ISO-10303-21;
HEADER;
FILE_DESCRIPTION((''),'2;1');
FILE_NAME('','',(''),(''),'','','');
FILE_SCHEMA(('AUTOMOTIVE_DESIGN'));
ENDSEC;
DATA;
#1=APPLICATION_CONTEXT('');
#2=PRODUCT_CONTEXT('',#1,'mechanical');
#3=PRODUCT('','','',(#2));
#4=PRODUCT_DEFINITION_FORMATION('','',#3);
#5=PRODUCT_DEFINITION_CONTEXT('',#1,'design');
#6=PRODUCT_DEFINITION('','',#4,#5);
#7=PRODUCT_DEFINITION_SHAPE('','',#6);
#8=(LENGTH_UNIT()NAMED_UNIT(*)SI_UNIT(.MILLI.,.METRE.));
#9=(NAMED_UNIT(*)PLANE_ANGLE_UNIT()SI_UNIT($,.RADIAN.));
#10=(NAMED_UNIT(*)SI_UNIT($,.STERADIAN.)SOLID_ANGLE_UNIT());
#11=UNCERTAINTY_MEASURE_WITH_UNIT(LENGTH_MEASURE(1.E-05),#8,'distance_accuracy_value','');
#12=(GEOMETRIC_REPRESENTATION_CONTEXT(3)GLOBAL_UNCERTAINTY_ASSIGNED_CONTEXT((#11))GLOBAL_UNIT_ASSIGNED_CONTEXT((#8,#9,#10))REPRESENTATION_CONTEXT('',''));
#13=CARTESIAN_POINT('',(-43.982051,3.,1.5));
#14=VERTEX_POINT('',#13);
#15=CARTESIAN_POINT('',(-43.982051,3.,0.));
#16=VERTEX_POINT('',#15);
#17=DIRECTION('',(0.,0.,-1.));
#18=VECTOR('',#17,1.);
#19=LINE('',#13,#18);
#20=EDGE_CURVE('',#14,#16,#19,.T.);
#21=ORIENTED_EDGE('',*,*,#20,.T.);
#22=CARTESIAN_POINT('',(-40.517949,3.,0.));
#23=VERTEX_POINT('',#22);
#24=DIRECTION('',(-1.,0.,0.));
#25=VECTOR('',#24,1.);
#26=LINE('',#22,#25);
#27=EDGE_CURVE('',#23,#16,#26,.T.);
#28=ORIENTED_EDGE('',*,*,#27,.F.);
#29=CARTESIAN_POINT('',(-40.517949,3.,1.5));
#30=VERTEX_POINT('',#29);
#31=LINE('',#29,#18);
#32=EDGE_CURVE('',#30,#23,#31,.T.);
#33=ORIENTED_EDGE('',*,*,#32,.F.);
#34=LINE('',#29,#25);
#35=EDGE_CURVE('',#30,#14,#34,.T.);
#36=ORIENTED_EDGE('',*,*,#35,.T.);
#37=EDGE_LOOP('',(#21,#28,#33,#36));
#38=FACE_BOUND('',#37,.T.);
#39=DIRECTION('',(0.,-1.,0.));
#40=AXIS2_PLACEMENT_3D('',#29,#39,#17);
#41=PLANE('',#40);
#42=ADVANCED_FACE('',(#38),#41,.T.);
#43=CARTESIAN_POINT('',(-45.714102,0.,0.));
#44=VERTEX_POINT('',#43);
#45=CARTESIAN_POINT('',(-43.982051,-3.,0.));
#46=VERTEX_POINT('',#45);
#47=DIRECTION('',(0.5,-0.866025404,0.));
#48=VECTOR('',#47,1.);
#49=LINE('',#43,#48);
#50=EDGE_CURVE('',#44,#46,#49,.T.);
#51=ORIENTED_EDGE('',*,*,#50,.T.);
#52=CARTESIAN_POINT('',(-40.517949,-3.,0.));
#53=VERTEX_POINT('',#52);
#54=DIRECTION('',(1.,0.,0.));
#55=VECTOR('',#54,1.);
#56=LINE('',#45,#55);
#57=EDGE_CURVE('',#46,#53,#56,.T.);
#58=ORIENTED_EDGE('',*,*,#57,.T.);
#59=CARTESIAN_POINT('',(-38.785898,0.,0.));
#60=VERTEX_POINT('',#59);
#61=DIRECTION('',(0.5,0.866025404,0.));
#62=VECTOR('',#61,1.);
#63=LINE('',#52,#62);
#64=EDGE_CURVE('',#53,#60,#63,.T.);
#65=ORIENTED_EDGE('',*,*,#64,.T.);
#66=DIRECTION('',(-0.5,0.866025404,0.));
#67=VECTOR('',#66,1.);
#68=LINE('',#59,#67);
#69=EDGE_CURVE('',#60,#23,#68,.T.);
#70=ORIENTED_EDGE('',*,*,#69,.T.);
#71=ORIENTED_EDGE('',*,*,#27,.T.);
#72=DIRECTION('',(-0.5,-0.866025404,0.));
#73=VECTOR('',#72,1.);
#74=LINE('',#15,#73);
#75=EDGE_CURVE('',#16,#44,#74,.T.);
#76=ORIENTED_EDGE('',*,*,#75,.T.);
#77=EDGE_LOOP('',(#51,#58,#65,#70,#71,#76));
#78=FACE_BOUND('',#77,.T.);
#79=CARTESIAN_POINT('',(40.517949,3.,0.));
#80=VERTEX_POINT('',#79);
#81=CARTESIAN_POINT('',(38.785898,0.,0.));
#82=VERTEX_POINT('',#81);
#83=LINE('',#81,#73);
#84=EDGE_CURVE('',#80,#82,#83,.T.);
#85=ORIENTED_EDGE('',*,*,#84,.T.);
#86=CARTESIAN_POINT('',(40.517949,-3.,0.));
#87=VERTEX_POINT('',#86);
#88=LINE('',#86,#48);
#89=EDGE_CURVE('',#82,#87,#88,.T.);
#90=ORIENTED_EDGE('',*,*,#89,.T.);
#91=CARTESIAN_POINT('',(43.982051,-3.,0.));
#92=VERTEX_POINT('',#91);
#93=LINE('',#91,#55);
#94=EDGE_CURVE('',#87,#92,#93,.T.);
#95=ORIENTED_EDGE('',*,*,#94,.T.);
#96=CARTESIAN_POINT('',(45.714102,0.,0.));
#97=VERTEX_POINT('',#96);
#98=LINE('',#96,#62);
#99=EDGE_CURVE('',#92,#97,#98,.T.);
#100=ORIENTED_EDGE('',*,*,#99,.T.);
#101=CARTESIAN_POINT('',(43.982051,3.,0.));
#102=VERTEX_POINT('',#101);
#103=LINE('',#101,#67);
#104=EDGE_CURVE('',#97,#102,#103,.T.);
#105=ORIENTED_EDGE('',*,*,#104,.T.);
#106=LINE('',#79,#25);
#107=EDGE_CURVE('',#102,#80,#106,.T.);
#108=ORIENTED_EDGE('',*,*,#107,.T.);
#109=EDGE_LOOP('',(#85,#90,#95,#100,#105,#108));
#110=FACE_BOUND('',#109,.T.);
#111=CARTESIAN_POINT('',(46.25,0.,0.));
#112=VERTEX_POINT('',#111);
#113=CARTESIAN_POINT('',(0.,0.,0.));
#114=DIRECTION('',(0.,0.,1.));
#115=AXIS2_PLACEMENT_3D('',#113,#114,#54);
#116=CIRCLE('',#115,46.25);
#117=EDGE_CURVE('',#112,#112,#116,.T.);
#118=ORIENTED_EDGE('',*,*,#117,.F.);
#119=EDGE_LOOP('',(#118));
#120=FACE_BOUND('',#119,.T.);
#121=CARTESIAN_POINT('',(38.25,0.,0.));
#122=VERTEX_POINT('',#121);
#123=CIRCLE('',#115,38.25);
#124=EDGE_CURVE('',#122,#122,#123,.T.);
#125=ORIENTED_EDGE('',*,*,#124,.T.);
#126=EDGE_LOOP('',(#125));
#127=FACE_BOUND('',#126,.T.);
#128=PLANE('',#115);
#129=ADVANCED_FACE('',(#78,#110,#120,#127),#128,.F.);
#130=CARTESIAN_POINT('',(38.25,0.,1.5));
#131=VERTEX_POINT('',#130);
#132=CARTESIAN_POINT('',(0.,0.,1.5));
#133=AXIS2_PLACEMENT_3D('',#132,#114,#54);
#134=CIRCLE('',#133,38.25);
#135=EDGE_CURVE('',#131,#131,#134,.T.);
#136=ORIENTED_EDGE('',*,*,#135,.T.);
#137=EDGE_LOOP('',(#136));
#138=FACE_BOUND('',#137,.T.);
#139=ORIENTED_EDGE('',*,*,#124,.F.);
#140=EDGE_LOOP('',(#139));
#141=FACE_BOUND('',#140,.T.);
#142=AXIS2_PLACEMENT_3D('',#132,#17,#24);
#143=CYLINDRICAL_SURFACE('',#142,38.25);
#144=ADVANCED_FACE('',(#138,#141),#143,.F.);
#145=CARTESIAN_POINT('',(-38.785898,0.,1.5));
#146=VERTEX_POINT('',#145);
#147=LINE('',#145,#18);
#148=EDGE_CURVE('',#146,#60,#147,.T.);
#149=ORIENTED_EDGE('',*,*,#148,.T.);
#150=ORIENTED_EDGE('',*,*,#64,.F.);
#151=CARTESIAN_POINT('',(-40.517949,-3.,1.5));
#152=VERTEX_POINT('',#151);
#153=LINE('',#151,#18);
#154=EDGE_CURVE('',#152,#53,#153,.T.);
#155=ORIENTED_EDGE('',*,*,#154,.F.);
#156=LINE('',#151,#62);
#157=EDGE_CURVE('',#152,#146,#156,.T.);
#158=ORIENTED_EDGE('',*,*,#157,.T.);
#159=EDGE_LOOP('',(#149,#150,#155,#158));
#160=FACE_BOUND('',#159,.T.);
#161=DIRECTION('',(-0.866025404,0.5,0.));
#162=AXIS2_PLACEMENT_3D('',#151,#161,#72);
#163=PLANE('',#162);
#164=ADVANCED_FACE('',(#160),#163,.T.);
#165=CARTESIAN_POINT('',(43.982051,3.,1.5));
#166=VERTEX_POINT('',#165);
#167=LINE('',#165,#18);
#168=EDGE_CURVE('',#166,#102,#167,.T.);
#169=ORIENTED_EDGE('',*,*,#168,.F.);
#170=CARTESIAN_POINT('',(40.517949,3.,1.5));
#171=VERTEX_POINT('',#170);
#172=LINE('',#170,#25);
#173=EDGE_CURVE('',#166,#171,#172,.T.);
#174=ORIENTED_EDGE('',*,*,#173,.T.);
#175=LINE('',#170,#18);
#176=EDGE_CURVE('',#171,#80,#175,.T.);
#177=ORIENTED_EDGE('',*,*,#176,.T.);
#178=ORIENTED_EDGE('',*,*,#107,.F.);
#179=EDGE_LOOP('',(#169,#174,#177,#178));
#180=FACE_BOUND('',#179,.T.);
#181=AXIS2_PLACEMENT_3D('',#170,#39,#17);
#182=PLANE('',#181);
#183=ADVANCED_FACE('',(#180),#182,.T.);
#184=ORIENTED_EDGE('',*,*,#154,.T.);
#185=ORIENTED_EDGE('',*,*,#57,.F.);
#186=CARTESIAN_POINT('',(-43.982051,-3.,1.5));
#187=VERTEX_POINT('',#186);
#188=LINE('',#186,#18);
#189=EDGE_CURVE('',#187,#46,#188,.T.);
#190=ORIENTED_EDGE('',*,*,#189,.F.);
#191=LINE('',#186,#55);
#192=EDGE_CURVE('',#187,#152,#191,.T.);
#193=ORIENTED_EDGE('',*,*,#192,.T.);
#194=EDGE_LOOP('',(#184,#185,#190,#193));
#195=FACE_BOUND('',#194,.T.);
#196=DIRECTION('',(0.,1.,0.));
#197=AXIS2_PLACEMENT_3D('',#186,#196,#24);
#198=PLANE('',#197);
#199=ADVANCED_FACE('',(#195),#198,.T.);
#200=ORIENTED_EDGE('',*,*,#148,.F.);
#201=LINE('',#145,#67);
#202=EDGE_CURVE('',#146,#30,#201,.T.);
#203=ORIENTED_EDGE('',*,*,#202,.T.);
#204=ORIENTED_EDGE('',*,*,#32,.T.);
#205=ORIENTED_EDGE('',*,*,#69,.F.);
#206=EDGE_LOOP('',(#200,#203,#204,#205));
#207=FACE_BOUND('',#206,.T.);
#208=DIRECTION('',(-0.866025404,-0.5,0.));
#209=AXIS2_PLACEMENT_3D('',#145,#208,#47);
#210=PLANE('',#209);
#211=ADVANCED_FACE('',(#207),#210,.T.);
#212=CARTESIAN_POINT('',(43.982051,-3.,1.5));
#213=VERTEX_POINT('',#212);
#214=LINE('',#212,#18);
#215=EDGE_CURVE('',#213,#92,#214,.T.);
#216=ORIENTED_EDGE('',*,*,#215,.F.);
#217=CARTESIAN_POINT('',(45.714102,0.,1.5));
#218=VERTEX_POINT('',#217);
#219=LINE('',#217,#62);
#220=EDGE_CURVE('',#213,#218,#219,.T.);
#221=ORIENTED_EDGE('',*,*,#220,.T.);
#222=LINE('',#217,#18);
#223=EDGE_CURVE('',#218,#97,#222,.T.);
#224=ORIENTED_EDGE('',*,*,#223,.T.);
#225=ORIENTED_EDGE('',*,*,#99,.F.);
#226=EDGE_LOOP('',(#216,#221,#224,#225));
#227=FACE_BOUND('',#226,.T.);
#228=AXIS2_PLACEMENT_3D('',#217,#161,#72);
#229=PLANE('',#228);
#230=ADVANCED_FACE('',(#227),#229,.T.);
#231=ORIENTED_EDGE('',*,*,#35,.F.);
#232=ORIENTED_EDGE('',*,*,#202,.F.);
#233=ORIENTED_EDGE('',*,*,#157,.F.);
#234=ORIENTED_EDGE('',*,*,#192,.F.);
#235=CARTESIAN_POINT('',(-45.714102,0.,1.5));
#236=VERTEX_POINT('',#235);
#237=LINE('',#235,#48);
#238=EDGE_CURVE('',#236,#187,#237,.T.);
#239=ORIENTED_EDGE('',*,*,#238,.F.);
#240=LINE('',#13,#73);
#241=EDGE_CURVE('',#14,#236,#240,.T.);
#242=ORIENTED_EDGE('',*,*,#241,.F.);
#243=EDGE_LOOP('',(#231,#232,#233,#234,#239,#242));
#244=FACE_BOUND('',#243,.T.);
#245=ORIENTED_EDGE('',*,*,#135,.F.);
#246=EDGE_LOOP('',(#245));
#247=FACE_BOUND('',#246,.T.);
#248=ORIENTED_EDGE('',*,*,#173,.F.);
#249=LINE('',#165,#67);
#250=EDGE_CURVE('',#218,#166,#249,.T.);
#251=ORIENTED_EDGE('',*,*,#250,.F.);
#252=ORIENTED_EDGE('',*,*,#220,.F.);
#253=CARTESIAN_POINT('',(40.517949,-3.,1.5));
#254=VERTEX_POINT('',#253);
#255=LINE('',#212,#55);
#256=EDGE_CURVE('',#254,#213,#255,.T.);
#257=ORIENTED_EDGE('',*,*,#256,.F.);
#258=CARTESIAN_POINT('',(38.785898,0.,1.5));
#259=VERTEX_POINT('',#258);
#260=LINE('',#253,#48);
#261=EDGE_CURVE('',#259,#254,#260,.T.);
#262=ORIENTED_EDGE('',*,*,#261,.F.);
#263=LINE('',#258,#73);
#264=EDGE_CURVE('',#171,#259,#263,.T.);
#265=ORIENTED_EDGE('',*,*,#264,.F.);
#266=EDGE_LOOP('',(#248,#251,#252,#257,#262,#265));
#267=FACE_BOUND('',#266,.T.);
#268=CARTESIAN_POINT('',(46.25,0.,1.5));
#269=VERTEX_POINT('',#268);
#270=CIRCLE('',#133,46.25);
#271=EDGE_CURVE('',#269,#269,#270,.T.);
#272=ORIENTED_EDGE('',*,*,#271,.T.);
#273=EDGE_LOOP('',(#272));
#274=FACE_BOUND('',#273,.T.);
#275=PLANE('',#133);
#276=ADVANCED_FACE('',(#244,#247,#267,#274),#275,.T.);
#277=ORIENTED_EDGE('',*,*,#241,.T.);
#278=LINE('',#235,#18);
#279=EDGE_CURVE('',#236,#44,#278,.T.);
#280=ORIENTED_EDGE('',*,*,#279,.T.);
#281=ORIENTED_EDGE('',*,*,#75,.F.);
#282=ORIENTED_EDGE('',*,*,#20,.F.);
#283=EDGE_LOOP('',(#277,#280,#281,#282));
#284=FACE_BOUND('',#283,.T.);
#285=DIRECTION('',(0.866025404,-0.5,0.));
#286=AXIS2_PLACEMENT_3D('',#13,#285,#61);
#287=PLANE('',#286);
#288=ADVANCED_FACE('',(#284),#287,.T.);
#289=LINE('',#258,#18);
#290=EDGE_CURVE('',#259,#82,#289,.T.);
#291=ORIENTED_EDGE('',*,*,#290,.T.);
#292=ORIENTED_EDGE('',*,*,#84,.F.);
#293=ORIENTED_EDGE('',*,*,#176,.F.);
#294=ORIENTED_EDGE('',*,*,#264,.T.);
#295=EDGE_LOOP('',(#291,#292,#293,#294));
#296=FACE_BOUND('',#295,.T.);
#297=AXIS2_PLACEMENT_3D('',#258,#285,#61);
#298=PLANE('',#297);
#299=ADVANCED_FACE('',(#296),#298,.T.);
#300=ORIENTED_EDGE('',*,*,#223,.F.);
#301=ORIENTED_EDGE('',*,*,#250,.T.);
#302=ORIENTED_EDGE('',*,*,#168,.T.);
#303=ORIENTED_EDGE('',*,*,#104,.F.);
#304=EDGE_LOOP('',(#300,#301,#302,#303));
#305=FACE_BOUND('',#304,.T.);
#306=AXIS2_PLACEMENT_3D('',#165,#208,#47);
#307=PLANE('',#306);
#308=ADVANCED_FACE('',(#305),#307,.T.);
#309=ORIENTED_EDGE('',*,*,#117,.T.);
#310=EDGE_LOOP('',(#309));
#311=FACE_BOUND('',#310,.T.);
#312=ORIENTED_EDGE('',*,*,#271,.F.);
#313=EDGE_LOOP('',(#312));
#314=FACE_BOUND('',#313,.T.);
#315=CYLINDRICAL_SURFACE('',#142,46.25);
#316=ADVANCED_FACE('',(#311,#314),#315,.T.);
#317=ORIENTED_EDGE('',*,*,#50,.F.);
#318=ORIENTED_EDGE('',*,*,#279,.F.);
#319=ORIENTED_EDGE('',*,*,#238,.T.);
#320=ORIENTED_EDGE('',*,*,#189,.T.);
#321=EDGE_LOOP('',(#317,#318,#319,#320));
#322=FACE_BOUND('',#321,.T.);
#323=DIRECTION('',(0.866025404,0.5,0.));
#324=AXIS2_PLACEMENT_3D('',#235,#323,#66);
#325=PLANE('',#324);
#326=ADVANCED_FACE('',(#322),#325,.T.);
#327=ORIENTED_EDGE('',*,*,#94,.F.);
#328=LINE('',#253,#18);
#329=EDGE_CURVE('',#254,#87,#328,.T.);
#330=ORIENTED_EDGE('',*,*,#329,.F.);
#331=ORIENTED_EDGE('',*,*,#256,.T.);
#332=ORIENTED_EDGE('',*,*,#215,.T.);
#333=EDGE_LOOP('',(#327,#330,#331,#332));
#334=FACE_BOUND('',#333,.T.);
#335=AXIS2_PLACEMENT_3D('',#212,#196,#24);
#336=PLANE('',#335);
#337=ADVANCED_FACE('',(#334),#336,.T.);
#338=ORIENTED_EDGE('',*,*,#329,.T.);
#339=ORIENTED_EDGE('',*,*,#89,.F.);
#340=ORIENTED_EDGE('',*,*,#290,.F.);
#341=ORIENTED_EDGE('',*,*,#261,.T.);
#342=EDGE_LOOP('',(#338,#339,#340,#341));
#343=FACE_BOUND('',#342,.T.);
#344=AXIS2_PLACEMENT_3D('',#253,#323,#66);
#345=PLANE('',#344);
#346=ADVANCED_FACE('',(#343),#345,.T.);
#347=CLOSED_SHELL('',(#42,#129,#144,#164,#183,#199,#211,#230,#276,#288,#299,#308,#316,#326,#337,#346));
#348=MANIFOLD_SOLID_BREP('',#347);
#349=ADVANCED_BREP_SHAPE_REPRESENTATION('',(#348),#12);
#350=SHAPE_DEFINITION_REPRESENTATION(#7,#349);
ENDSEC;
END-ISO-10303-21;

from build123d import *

# Parameters (mm, degrees)
ESQUISSE1_R        = 46.25
ESQUISSE1_R_2      = 38.25
BOSS_EXTRU_1_DEPTH = 1.5


with BuildPart() as part:
    # Esquisse1 → Boss.-Extru.1 (new body)
    with BuildSketch(Plane.XY):
        Circle(ESQUISSE1_R)
        Circle(ESQUISSE1_R_2, mode=Mode.SUBTRACT)
        Polygon((-40.517949192, 3), (-43.982050808, 3), (-45.714101615, 0), (-43.982050808, -3), (-40.517949192, -3), (-38.785898385, 0), align=None, mode=Mode.SUBTRACT)
        Polygon((38.785898385, 0), (40.517949192, 3), (43.982050808, 3), (45.714101615, 0), (43.982050808, -3), (40.517949192, -3), align=None, mode=Mode.SUBTRACT)
    extrude(amount=BOSS_EXTRU_1_DEPTH)


solid = part.part
